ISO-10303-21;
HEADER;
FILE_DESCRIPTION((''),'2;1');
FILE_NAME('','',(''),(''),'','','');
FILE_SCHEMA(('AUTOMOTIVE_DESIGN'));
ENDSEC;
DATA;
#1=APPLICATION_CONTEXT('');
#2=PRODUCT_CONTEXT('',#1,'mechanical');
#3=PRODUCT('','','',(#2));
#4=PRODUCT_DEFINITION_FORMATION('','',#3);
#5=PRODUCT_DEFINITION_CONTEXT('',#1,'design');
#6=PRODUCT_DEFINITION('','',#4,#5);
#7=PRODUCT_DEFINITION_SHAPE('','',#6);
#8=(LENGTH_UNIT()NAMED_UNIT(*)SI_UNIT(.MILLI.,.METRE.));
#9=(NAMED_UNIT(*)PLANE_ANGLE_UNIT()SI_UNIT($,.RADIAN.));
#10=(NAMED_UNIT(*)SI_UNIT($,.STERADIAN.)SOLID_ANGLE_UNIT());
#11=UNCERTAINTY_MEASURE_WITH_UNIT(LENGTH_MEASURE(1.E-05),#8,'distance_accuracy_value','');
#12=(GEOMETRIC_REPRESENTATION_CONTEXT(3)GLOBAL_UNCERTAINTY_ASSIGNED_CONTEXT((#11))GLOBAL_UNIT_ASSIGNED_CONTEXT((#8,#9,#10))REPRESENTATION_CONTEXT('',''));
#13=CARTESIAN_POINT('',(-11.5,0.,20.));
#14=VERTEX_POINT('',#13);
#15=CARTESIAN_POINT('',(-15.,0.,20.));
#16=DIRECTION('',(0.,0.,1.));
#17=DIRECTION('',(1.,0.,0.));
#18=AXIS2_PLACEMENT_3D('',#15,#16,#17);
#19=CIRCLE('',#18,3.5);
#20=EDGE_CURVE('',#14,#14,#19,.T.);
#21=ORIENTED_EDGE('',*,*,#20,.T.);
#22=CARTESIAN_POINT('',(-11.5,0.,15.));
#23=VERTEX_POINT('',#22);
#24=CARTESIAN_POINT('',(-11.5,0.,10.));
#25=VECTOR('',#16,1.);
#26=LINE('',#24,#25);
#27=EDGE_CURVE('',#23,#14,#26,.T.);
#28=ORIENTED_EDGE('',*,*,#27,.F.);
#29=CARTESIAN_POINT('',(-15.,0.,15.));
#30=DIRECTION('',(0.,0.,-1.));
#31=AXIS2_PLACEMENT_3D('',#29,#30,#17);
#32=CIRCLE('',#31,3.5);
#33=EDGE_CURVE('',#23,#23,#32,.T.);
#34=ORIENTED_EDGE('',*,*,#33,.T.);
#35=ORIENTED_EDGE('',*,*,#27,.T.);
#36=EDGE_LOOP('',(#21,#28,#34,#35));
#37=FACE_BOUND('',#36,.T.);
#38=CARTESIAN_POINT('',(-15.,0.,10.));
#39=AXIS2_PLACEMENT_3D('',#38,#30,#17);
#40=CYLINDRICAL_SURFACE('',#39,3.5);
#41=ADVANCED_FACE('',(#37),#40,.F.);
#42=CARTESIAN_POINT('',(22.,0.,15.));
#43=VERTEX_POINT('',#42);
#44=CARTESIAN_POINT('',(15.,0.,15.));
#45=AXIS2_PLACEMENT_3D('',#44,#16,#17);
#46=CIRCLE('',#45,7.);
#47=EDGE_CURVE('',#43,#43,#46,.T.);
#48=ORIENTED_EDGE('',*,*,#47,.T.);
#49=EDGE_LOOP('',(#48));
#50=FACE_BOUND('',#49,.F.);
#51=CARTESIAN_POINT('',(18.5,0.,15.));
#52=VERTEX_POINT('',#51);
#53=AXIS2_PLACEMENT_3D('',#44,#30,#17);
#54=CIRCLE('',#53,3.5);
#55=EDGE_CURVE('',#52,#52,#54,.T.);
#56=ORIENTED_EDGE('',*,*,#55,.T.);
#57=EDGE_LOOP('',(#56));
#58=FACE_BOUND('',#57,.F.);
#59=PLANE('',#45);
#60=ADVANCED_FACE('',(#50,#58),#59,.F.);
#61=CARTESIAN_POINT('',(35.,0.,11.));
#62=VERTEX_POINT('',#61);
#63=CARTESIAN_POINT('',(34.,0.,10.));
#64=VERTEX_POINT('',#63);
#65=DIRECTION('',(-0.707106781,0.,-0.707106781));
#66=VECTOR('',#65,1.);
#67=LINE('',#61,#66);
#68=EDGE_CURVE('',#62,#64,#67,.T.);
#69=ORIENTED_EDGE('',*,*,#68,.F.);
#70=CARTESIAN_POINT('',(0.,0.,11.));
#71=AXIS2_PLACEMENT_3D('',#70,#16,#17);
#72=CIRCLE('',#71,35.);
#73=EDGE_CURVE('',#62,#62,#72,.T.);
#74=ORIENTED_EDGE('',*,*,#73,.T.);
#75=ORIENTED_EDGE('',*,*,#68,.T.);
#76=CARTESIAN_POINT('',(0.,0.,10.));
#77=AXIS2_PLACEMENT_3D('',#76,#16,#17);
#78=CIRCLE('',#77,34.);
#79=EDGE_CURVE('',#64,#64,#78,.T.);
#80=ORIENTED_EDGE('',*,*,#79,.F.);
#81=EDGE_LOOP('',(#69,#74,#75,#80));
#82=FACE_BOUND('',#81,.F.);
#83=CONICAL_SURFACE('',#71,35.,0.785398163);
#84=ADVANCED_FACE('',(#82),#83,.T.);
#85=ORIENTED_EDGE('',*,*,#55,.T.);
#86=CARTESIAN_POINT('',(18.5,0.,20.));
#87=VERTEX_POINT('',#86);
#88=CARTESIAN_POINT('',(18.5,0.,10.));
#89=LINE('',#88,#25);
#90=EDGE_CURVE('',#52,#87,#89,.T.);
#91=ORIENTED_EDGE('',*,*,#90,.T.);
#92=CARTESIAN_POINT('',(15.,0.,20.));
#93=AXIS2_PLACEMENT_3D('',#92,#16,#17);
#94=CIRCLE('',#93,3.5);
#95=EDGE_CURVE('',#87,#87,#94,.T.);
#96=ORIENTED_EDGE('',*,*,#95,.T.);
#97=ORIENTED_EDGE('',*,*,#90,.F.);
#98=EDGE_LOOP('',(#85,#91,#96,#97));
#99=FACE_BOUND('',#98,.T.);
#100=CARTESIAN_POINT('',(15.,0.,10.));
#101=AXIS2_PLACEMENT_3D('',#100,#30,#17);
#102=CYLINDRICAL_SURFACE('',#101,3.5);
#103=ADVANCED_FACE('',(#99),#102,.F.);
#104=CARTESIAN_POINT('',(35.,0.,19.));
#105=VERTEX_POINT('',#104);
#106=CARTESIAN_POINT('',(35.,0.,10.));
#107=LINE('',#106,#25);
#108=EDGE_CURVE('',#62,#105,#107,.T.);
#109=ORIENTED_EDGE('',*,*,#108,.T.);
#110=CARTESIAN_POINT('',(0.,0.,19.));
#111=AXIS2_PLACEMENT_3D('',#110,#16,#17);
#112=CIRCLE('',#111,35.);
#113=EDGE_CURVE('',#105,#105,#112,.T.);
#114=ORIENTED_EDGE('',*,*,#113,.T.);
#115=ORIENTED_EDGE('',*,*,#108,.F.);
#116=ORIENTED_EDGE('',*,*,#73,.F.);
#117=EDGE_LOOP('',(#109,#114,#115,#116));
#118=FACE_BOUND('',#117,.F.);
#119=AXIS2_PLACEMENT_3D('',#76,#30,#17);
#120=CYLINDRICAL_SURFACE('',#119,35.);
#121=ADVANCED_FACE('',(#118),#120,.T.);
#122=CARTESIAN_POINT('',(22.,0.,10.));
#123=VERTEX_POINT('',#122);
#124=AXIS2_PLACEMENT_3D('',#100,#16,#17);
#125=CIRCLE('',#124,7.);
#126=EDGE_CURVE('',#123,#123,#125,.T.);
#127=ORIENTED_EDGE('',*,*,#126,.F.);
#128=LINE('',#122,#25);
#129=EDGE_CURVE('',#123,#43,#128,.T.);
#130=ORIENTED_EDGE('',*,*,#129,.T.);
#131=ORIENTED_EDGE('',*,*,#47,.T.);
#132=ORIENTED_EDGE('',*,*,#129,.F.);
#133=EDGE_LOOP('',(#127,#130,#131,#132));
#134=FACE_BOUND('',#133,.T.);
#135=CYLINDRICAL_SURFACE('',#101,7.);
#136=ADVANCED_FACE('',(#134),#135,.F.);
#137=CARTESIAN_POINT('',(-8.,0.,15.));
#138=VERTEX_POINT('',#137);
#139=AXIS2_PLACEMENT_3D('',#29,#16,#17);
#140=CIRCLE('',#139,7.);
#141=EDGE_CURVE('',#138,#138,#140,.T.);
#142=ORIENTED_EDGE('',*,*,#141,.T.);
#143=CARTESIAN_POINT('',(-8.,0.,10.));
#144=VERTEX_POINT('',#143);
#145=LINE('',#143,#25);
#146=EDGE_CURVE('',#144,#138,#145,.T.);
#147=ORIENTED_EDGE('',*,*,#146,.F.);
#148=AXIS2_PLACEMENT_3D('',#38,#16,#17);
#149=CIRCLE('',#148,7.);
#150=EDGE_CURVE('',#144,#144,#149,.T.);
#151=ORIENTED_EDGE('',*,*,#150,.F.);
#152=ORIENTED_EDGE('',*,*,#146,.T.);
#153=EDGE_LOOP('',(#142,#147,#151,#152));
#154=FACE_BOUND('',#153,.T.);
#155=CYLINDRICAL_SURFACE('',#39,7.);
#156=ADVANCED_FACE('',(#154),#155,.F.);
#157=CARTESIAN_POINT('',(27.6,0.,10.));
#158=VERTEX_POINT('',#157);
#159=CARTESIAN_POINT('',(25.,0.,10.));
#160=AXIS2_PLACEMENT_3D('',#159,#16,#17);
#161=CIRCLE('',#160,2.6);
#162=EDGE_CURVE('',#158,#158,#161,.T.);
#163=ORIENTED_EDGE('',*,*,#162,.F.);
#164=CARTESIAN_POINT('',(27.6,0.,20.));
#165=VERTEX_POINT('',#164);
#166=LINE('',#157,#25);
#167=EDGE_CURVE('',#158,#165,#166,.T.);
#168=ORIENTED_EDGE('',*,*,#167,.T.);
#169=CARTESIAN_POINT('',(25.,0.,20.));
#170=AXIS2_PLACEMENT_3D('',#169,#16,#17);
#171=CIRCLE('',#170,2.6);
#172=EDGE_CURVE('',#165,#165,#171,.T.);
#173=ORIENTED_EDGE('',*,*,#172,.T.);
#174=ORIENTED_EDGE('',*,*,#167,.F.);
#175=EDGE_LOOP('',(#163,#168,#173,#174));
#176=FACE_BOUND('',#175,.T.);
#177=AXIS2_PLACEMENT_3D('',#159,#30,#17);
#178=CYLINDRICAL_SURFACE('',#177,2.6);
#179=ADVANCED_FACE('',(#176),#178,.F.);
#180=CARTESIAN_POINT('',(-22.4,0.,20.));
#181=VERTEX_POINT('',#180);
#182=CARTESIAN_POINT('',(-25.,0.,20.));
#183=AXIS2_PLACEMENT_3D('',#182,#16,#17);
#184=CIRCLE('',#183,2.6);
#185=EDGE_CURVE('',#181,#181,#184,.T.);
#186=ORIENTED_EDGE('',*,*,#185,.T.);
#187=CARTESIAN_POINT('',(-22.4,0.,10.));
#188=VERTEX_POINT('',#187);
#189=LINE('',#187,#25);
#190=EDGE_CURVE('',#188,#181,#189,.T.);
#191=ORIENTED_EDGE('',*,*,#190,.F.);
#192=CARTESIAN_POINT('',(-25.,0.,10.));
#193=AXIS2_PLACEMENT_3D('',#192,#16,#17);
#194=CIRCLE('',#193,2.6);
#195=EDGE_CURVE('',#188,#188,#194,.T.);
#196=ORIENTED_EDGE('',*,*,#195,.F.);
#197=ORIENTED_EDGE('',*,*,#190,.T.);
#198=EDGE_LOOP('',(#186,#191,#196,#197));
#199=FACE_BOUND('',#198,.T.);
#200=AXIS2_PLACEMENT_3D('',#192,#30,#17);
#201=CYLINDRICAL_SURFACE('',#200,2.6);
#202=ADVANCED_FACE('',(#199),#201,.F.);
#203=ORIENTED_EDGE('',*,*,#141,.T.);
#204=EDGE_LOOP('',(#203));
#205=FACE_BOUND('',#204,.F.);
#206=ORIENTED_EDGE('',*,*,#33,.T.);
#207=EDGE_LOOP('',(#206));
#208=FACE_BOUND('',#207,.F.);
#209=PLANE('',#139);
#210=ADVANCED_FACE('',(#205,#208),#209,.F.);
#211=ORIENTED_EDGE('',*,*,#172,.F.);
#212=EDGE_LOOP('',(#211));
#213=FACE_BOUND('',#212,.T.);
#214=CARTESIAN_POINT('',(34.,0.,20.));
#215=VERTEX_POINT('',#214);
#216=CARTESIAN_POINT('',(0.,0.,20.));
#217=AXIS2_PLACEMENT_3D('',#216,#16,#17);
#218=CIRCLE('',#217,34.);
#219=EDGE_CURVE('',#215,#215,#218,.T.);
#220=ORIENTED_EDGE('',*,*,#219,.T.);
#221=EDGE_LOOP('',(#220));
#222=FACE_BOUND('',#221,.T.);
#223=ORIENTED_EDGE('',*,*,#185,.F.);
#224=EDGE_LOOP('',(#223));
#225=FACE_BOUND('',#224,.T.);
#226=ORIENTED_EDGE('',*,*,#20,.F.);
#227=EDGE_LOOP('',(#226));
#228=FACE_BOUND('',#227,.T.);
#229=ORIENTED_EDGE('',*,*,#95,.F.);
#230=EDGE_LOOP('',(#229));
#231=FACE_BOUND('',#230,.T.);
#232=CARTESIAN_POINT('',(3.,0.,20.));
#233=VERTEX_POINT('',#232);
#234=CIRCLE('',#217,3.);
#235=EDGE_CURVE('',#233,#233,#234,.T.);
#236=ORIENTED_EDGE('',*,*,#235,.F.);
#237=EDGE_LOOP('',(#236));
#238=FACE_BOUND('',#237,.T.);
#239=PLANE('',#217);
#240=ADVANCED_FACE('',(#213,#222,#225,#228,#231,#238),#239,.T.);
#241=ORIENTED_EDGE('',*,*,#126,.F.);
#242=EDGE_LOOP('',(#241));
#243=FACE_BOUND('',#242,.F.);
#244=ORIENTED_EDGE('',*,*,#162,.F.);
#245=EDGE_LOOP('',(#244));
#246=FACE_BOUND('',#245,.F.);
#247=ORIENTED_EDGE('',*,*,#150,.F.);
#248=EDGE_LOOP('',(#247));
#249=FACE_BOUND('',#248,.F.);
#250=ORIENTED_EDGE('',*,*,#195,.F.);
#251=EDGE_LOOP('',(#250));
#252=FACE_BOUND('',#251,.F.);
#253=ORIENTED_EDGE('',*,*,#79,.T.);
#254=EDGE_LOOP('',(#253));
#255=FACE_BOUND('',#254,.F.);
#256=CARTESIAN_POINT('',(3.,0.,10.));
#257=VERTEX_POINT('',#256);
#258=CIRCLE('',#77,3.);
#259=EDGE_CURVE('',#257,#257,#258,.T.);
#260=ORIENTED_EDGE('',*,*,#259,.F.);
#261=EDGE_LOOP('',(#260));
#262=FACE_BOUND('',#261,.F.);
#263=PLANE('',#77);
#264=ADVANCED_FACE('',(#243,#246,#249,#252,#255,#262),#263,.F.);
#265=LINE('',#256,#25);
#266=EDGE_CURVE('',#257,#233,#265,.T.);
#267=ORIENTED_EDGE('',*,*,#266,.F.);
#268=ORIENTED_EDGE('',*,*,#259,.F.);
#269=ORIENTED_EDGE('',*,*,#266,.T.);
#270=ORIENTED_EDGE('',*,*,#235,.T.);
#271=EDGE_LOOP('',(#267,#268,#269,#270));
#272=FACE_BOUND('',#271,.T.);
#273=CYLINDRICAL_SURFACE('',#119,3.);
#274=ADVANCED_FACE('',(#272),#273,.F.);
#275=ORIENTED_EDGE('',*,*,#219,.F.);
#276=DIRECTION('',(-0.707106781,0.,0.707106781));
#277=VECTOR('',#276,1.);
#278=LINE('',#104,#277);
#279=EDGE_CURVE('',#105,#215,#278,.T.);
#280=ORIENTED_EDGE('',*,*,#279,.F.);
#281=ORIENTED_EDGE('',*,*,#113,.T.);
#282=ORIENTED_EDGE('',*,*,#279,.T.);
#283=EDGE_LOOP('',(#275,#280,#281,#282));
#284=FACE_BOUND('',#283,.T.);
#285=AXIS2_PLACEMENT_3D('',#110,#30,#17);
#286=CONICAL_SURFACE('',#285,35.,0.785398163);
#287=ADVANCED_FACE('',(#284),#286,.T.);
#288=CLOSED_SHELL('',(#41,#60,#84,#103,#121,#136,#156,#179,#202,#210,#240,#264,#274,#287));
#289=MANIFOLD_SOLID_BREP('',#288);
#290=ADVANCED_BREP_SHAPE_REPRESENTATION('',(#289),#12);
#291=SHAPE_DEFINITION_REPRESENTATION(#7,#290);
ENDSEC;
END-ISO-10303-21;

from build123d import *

# Parameters (mm, degrees)
CYLINDER001_R        = 3.5
CYLINDER001_DEPTH    = 10
CYLINDER002_R        = 7
CYLINDER002_DEPTH    = 5
CYLINDER003_R        = 3.5
CYLINDER003_DEPTH    = 10
CYLINDER004_R        = 7
CYLINDER004_DEPTH    = 5
CYLINDER005_R        = 2.6
CYLINDER005_DEPTH    = 10
CYLINDER006_R        = 2.6
CYLINDER006_DEPTH    = 10
CYLINDER_R           = 3
CYLINDER_DEPTH       = 10
CYLINDER001027_R     = 35
CYLINDER001027_DEPTH = 10
CHAMFER004_SIZE      = 1


with BuildPart() as cylinder001:
    # cylinder001 → cylinder001 (new body)
    with BuildSketch(Plane(origin=(15, 0, 0), x_dir=(1, 0, 0), z_dir=(0, 0, 1))):
        Circle(CYLINDER001_R)
    extrude(amount=CYLINDER001_DEPTH)


with BuildPart() as cylinder002:
    # cylinder002 → cylinder002 (new body)
    with BuildSketch(Plane(origin=(15, 0, 0), x_dir=(1, 0, 0), z_dir=(0, 0, 1))):
        Circle(CYLINDER002_R)
    extrude(amount=CYLINDER002_DEPTH)


with BuildPart() as cylinder003:
    # cylinder003 → cylinder003 (new body)
    with BuildSketch(Plane(origin=(-15, 0, 0), x_dir=(1, 0, 0), z_dir=(0, 0, 1))):
        Circle(CYLINDER003_R)
    extrude(amount=CYLINDER003_DEPTH)


with BuildPart() as cylinder004:
    # cylinder004 → cylinder004 (new body)
    with BuildSketch(Plane(origin=(-15, 0, 0), x_dir=(1, 0, 0), z_dir=(0, 0, 1))):
        Circle(CYLINDER004_R)
    extrude(amount=CYLINDER004_DEPTH)


with BuildPart() as cylinder005:
    # cylinder005 → cylinder005 (new body)
    with BuildSketch(Plane(origin=(-25, 0, 0), x_dir=(1, 0, 0), z_dir=(0, 0, 1))):
        Circle(CYLINDER005_R)
    extrude(amount=CYLINDER005_DEPTH)


with BuildPart() as cylinder006:
    # cylinder006 → cylinder006 (new body)
    with BuildSketch(Plane(origin=(25, 0, 0), x_dir=(1, 0, 0), z_dir=(0, 0, 1))):
        Circle(CYLINDER006_R)
    extrude(amount=CYLINDER006_DEPTH)


with BuildPart() as union:
    # cylinder → cylinder (new body)
    with BuildSketch(Plane.XY):
        Circle(CYLINDER_R)
    extrude(amount=CYLINDER_DEPTH)

    # union: union cylinder001, cylinder002, cylinder003, cylinder004, cylinder005, cylinder006
    add(cylinder001.part)
    add(cylinder002.part)
    add(cylinder003.part)
    add(cylinder004.part)
    add(cylinder005.part)
    add(cylinder006.part)


with BuildPart() as hh1:
    # Cylinder001027 → Cylinder001027 (new body)
    with BuildSketch(Plane.XY):
        Circle(CYLINDER001027_R)
    extrude(amount=CYLINDER001027_DEPTH)

    # Cut004: cut union
    add(union.part, mode=Mode.SUBTRACT)


with BuildPart() as hh1_1:
    # Cut004 placement: moved
    add(hh1.part.moved(Location((0, 0, 10))))

    # Chamfer004
    chamfer004_edges = [hh1_1.edges().sort_by_distance(p)[0] for p in [
        (-35, 0, 20),
        (-35, 0, 10),
    ]]
    chamfer(chamfer004_edges, length=CHAMFER004_SIZE)


solid = hh1_1.part
